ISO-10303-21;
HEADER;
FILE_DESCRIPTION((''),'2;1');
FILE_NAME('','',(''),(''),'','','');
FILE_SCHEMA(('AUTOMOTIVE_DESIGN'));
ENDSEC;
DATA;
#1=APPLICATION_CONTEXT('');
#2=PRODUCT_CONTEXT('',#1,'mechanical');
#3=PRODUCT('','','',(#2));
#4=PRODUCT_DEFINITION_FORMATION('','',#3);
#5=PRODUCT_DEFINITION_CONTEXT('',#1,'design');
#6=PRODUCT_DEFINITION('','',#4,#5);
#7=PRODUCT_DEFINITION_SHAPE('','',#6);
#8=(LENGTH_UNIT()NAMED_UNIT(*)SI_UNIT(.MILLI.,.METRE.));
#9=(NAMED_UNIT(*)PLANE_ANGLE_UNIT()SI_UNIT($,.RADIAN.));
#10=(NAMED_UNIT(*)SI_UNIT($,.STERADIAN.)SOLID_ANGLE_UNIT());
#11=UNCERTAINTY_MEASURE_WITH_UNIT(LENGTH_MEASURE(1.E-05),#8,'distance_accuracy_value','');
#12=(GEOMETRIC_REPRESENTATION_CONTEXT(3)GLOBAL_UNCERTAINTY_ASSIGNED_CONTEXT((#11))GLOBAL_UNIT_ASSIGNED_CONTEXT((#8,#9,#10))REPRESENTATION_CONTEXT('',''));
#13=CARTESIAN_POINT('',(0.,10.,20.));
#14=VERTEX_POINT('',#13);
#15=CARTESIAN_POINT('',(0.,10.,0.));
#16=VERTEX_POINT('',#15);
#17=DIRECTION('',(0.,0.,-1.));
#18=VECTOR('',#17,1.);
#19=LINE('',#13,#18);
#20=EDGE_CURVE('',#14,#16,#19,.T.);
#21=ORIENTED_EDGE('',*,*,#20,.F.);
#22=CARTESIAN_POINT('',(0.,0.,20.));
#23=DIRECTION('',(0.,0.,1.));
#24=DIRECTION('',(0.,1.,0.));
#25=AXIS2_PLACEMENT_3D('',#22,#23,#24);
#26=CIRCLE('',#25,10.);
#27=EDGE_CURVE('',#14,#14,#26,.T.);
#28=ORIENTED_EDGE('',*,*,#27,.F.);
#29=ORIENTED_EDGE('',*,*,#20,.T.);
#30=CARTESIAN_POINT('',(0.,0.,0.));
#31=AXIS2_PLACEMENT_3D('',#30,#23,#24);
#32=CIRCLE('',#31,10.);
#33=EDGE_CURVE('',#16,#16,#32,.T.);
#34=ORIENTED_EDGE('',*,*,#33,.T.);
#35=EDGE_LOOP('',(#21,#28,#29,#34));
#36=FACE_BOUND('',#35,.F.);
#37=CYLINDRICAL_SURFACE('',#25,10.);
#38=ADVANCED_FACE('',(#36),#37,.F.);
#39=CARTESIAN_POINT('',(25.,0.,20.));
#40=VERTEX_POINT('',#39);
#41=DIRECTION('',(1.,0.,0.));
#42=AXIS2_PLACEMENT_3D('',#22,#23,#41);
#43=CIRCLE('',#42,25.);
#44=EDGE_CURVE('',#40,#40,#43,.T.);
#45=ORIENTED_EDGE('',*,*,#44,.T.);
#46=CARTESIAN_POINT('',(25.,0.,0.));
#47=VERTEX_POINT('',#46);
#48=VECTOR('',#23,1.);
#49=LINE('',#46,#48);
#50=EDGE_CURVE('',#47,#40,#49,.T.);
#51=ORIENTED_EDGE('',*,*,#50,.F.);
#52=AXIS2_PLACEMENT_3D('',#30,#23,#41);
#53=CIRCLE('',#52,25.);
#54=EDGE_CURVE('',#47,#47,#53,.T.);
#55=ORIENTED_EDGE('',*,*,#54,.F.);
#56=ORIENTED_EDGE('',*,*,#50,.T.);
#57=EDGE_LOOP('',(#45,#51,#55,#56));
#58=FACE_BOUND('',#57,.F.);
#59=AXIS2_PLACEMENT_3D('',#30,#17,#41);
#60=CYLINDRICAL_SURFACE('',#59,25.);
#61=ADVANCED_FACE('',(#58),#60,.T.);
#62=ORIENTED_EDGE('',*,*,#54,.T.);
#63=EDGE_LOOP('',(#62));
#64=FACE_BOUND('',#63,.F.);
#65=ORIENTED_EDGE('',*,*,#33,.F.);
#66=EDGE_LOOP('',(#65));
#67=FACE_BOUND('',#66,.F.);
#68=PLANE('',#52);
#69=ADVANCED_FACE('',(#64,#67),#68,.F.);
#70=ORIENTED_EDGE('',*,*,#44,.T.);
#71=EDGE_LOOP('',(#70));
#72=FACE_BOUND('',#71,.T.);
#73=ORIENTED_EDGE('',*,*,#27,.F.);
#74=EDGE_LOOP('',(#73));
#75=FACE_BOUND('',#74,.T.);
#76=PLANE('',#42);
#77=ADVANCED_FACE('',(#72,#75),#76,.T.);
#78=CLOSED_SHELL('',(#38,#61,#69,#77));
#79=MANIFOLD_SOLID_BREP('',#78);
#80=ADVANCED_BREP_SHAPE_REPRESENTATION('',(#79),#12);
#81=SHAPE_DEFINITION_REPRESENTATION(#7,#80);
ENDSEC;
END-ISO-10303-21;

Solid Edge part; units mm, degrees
sketch "Sketch1" plane through (0, 0, 0) normal (0, 0, 1) x (1, 0, 0)
  circle A0 centre (0, 0) radius 25
  dimension "D1" = 50
extrude "Protrusion1" add sketch "Sketch1" along normal blind 20
sketch "Sketch2" plane through (0, 0, 20) normal (0, 0, 1) x (0, 1, 0)
  circle A0 centre (0, 0) radius 10
  dimension "D1" = 20
extrude "Cutout1" cut sketch "Sketch2" against normal up to next
properties material "Steel"
